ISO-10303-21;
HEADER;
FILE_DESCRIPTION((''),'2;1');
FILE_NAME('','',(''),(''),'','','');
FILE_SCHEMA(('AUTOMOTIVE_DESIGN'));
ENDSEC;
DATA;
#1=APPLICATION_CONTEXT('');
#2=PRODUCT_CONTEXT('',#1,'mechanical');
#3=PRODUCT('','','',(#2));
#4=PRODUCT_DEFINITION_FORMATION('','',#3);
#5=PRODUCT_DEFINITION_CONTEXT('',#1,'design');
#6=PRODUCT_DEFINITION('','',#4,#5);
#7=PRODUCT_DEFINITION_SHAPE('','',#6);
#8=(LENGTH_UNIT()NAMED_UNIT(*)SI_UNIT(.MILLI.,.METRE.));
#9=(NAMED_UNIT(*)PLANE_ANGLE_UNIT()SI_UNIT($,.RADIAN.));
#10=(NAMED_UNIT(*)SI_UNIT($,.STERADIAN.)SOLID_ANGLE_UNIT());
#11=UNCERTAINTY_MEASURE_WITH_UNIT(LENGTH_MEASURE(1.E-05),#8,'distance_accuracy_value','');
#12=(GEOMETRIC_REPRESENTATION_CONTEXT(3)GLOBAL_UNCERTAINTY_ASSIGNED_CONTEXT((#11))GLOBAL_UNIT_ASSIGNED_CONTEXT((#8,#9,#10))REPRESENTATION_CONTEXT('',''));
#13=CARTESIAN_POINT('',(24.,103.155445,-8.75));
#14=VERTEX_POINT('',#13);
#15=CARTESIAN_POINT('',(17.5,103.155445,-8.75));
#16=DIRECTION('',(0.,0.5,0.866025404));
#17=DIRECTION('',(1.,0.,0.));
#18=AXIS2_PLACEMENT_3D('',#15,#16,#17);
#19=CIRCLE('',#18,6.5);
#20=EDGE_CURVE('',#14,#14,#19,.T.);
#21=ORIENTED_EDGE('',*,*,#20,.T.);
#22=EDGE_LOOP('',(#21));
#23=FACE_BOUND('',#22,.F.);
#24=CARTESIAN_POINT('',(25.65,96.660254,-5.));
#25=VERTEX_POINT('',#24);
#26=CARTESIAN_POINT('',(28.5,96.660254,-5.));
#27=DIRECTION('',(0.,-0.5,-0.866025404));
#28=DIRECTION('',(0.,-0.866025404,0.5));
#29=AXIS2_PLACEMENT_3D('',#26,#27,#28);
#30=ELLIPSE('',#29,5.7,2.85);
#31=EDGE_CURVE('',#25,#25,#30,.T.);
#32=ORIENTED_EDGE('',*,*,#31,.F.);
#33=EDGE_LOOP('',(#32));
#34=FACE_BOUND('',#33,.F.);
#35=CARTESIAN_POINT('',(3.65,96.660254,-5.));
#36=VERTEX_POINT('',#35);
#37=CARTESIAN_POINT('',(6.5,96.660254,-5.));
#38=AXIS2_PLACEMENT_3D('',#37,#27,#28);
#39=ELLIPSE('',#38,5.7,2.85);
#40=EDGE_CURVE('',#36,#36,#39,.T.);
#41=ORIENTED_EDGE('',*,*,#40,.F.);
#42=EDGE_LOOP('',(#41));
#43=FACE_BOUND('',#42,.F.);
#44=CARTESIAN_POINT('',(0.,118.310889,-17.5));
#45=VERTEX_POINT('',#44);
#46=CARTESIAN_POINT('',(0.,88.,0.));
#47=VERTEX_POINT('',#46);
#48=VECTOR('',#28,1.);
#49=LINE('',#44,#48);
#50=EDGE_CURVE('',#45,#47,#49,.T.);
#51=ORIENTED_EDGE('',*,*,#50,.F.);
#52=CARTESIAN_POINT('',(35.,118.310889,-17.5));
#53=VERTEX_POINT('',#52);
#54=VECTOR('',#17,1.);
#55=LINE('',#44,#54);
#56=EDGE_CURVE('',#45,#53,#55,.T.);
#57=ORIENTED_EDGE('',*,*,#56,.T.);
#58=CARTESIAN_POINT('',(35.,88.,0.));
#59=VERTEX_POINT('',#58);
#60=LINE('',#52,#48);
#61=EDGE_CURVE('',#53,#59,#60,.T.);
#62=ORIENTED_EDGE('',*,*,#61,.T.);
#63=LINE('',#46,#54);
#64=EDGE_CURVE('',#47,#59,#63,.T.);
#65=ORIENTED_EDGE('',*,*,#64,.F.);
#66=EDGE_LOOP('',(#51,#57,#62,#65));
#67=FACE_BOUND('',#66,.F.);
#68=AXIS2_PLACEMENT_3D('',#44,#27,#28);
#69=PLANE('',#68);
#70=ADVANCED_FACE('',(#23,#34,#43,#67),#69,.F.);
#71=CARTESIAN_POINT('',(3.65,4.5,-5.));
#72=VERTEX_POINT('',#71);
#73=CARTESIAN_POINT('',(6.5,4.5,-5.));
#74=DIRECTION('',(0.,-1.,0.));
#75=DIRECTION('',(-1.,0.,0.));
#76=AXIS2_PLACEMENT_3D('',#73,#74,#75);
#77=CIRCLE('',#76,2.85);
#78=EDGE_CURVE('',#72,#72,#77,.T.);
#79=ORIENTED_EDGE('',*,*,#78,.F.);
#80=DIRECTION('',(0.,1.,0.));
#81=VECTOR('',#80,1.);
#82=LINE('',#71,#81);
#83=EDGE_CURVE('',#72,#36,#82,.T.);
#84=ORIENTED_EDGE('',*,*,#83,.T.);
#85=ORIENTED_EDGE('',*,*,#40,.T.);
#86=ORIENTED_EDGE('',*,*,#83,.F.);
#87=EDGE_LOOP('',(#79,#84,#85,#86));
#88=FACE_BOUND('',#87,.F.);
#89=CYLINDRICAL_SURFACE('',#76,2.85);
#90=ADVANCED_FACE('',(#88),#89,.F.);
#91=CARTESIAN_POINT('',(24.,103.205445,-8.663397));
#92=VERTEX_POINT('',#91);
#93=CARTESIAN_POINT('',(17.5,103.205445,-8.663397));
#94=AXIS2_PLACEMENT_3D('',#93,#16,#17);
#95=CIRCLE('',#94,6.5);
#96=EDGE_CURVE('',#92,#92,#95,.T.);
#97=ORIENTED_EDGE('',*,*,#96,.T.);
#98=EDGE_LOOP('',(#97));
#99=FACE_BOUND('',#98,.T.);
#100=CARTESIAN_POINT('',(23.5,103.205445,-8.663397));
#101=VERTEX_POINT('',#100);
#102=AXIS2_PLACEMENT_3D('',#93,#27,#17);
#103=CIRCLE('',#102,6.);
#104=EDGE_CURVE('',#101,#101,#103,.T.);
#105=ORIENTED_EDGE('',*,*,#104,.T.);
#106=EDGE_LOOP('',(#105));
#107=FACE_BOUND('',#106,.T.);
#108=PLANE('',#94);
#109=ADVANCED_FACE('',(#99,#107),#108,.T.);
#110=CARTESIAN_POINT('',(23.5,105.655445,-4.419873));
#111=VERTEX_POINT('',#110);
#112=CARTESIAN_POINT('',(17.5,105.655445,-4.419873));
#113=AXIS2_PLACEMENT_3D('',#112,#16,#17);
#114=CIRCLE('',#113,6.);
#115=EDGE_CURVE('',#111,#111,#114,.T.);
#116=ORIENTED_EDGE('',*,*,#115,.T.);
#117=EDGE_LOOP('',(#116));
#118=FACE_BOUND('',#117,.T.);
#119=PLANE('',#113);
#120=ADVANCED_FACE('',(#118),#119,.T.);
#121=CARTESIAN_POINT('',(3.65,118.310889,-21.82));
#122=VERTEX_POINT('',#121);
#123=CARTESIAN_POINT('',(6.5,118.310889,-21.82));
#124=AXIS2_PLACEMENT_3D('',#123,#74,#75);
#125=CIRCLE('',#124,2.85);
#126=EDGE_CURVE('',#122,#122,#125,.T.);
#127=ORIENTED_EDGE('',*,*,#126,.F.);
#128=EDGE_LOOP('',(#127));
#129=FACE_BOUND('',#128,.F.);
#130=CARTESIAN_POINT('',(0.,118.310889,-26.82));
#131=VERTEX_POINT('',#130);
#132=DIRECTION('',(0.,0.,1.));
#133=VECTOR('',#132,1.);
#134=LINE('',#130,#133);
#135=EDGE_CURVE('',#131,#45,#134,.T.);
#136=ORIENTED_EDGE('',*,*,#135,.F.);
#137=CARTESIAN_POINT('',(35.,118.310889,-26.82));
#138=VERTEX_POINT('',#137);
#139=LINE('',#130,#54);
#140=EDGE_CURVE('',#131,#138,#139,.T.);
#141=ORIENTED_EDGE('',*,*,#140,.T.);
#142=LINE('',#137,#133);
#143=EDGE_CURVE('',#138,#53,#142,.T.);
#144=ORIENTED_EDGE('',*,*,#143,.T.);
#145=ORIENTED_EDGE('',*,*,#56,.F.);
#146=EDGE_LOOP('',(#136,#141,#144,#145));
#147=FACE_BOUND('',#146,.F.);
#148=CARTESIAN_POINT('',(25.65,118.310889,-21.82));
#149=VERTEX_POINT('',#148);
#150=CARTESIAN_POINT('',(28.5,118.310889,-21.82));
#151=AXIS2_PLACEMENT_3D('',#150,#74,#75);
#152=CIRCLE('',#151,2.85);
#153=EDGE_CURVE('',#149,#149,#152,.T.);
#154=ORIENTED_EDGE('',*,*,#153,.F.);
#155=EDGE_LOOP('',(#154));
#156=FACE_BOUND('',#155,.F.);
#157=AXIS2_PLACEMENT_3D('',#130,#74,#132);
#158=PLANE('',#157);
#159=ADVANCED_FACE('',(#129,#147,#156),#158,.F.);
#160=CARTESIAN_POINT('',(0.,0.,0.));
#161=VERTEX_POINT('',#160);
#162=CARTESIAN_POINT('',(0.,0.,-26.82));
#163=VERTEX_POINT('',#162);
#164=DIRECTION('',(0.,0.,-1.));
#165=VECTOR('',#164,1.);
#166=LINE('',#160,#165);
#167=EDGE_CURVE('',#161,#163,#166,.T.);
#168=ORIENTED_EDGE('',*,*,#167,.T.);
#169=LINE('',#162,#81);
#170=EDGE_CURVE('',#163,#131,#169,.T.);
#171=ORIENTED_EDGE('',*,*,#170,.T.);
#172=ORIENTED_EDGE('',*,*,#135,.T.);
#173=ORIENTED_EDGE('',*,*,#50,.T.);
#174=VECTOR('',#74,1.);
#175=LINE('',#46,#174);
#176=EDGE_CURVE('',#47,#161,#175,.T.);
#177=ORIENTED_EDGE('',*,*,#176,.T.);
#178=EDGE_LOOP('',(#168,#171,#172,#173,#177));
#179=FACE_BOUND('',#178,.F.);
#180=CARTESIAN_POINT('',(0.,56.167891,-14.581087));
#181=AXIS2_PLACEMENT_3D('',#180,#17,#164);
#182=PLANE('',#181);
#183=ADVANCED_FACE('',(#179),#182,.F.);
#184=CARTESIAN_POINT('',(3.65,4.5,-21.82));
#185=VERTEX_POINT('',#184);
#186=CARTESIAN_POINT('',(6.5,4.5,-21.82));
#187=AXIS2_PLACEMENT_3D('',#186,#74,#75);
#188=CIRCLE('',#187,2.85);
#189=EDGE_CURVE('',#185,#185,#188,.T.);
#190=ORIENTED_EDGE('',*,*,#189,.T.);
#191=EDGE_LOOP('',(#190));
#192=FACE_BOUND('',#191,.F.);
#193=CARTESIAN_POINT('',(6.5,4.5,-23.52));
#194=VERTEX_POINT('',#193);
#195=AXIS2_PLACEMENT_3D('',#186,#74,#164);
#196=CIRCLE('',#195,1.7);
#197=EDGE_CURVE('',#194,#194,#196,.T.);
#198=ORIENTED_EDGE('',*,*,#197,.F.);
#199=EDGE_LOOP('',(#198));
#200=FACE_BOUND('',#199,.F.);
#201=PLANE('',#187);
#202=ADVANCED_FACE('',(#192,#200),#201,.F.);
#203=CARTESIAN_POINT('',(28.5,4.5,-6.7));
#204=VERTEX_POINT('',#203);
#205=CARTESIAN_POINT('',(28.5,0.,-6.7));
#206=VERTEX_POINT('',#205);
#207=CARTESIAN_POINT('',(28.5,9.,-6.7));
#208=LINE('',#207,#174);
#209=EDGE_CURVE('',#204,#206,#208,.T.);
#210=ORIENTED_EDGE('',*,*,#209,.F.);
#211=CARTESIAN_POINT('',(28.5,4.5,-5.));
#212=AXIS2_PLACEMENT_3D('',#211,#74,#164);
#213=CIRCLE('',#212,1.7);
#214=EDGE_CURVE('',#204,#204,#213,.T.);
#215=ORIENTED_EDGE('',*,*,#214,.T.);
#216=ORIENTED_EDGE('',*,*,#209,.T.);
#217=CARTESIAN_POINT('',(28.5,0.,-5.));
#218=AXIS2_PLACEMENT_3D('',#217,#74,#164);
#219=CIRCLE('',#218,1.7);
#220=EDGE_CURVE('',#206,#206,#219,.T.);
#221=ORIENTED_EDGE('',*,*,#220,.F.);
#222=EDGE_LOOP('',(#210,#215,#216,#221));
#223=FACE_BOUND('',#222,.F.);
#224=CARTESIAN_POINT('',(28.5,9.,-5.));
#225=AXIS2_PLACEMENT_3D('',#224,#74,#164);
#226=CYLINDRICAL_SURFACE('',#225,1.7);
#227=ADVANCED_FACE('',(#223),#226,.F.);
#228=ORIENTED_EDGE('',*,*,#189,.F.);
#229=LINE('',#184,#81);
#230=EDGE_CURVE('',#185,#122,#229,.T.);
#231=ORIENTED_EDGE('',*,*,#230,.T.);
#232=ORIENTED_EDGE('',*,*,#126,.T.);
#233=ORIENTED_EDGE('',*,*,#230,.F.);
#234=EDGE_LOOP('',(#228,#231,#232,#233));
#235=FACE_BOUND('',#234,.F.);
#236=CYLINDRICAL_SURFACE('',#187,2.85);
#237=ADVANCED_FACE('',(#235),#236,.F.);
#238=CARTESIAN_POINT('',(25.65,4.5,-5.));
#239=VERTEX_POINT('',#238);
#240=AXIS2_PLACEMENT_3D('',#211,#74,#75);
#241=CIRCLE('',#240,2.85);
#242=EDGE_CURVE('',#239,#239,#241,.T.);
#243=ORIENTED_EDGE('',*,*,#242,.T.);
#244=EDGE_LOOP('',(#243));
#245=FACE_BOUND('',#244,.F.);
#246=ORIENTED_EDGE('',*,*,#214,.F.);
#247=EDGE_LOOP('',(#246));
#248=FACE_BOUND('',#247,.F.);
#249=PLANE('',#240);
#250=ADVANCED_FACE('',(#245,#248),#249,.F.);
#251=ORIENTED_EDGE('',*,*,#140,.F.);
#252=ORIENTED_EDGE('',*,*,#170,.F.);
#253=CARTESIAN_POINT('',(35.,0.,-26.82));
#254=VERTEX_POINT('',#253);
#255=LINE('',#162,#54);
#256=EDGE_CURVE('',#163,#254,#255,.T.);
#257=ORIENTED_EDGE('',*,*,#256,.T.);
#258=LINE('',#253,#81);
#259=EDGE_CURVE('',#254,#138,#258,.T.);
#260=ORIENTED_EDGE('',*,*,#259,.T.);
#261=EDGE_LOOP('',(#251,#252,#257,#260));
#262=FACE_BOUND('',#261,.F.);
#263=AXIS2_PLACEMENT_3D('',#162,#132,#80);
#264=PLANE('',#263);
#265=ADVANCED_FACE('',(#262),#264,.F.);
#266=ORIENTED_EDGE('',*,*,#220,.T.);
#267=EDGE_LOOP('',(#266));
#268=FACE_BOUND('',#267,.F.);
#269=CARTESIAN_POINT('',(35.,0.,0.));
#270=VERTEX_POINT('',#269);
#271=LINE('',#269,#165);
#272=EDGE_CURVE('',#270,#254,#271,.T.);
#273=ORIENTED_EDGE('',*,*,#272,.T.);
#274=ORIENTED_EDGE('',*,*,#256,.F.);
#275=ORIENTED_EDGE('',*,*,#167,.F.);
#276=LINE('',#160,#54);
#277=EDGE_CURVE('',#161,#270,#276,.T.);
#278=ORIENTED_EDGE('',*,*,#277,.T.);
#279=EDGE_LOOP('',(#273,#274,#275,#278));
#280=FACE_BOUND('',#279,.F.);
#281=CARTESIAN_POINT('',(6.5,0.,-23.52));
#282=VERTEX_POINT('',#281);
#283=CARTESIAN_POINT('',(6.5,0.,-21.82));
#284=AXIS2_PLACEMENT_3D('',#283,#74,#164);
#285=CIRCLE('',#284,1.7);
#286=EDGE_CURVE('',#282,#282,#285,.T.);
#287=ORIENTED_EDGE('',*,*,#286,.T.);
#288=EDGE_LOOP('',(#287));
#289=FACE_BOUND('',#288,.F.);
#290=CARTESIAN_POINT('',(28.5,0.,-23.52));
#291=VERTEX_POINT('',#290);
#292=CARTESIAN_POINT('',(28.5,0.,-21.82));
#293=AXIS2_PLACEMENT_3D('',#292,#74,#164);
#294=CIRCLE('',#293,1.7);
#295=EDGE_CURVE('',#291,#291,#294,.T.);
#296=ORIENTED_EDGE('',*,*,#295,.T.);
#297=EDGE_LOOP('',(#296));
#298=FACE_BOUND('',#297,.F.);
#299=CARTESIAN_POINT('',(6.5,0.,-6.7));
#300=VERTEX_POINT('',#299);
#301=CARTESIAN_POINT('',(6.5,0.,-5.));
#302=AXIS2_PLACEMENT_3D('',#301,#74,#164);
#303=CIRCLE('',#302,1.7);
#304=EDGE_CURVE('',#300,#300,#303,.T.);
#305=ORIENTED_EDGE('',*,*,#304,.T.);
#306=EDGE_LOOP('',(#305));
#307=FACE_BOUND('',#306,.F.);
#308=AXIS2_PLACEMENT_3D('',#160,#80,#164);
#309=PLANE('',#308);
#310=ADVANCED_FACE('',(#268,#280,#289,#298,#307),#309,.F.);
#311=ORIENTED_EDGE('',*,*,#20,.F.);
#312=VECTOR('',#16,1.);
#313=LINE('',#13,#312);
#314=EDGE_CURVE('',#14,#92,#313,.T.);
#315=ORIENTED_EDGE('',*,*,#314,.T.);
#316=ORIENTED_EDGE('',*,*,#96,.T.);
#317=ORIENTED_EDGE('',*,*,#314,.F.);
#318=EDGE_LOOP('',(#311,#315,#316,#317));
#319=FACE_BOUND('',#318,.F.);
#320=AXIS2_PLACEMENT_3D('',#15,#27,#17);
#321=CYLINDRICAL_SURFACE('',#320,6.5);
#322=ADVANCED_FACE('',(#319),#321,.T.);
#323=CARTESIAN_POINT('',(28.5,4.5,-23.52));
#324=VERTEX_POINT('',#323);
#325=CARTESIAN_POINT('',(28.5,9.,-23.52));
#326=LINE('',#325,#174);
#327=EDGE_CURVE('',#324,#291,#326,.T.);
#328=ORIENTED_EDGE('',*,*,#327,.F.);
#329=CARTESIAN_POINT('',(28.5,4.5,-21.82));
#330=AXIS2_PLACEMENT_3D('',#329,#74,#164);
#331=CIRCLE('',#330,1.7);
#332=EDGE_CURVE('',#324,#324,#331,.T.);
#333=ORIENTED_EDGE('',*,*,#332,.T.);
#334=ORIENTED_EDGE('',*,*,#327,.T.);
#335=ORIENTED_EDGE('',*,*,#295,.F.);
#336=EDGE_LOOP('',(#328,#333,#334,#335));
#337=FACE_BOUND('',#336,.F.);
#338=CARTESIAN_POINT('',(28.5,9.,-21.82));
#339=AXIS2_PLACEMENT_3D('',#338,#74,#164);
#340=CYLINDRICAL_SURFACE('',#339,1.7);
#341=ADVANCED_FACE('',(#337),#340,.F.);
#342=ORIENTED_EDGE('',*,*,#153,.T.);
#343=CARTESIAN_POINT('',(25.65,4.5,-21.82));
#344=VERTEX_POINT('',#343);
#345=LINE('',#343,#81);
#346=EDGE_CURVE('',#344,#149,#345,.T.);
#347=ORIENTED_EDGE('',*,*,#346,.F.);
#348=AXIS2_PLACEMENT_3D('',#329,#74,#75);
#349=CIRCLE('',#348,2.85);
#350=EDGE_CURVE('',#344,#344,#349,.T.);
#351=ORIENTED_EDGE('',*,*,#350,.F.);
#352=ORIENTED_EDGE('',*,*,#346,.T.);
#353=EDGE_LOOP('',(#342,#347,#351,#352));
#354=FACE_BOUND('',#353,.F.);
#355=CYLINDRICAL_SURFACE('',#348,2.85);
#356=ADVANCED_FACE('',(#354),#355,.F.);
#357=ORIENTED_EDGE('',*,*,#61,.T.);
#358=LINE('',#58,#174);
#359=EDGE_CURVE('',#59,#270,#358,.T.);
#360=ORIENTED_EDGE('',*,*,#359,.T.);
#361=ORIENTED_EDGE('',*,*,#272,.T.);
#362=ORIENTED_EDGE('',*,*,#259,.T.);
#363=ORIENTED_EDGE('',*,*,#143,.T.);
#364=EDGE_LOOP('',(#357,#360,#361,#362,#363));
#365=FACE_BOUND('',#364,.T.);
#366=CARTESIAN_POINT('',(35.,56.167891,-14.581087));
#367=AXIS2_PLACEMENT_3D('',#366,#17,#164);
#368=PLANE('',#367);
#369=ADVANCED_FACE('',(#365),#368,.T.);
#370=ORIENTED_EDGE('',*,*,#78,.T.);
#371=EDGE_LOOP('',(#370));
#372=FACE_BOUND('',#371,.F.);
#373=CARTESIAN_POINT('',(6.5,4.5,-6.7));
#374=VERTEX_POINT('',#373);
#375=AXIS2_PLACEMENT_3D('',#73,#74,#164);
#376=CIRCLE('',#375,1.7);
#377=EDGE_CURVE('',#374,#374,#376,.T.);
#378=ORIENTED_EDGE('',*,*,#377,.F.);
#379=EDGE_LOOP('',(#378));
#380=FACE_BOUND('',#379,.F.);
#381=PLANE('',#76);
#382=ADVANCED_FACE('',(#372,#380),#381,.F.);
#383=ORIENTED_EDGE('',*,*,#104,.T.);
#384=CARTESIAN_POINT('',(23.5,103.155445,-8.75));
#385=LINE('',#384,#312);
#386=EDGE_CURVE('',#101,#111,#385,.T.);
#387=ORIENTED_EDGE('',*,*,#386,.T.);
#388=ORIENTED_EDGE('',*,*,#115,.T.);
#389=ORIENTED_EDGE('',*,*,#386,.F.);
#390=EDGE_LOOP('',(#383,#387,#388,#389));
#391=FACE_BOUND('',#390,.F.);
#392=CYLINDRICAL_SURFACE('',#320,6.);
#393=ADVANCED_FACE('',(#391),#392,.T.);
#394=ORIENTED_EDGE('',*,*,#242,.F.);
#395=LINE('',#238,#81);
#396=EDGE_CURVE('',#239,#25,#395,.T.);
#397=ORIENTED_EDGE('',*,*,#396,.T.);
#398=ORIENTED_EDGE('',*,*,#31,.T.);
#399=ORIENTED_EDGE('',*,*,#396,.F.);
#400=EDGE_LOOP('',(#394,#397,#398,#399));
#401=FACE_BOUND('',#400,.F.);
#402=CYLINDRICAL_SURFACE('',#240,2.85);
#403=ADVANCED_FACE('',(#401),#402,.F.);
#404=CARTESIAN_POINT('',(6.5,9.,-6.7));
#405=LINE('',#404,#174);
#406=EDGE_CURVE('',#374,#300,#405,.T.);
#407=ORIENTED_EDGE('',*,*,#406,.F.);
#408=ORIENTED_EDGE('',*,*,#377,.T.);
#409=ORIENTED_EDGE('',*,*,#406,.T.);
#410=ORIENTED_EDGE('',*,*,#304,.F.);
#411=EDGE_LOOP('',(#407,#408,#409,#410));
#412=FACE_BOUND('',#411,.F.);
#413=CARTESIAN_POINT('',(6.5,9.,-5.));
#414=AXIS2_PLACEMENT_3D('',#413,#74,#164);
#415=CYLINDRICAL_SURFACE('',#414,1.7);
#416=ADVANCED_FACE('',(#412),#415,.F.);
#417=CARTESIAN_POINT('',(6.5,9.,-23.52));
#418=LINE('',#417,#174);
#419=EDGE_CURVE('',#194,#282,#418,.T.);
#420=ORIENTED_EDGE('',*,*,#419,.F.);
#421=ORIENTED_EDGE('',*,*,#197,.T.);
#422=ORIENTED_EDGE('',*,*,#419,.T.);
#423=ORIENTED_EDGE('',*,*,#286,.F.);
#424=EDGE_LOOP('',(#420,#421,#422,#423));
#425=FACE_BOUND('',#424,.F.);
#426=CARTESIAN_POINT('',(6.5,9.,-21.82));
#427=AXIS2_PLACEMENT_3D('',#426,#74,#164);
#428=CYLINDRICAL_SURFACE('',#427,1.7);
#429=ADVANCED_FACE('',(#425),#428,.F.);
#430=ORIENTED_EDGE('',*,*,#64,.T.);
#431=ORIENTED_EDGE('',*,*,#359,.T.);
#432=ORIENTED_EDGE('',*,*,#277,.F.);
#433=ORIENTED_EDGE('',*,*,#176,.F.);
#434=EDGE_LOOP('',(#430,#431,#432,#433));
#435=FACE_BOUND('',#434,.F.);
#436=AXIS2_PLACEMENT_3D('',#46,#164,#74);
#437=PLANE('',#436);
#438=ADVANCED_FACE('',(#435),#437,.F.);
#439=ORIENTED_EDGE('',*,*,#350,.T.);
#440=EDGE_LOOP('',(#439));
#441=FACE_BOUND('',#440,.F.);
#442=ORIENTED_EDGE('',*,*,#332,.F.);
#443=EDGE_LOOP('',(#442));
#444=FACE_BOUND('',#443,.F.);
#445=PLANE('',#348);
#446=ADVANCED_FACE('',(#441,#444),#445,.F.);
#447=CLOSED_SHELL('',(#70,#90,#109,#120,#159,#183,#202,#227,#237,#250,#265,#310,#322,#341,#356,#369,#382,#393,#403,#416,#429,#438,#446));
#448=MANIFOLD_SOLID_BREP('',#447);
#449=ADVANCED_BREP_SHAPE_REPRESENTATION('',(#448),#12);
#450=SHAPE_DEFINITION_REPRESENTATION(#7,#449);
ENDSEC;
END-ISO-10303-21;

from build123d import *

# Parameters (mm, degrees)
AUFSATZ_LINEAR_AUSTRAGEN1_DEPTH      = 35
SKIZZE3_R                            = 6
AUFSATZ_LINEAR_AUSTRAGEN2_DEPTH      = 5
SKIZZE4_R                            = 6.5
AUFSATZ_LINEAR_AUSTRAGEN3_DEPTH      = 0.1
SKIZZE7_R                            = 2.85
SCHNITT_LINEAR_AUSTRAGEN1_DEPTH      = 114.810889132
F_3_4_3_4_DURCHMESSER_BOHRUNG1_D     = 3.4
F_3_4_3_4_DURCHMESSER_BOHRUNG1_DEPTH = 4.5


with BuildPart() as part:
    # Skizze1 → Aufsatz-Linear austragen1 (new body)
    with BuildSketch(Plane(origin=(0, 0, 0), x_dir=(0, 0, -1), z_dir=(1, 0, 0))):
        Polygon((0, 0), (17.5, 0), (26.82, 0), (26.82, 118.310889132), (17.5, 118.310889132), (0, 88), align=None)
    extrude(amount=AUFSATZ_LINEAR_AUSTRAGEN1_DEPTH)

    # Skizze3 → Aufsatz-Linear austragen2 (add)
    with BuildSketch(Plane(origin=(0, 22, 38.105117767), x_dir=(1, 0, 0), z_dir=(0, 0.5, 0.866025404))):
        with Locations((17.5, 93.710235533)):
            Circle(SKIZZE3_R)
    extrude(amount=AUFSATZ_LINEAR_AUSTRAGEN2_DEPTH)

    # Skizze4 → Aufsatz-Linear austragen3 (add)
    with BuildSketch(Plane(origin=(0, 22, 38.105117767), x_dir=(1, 0, 0), z_dir=(0, 0.5, 0.866025404))):
        with Locations((17.5, 93.710235533)):
            Circle(SKIZZE4_R)
    extrude(amount=AUFSATZ_LINEAR_AUSTRAGEN3_DEPTH)

    # Skizze7 → Schnitt-Linear austragen1 (cut, through all)
    with BuildSketch(Plane(origin=(0, 4.5, 0), x_dir=(-1, 0, 0), z_dir=(0, -1, 0))):
        with Locations((-28.5, 5)):
            Circle(SKIZZE7_R)
        with Locations((-6.5, 5)):
            Circle(SKIZZE7_R)
        with Locations((-6.5, 21.82)):
            Circle(SKIZZE7_R)
        with Locations((-28.5, 21.82)):
            Circle(SKIZZE7_R)
    extrude(amount=-SCHNITT_LINEAR_AUSTRAGEN1_DEPTH, mode=Mode.SUBTRACT)

    # Ø3.4 (3.4) Durchmesser Bohrung1
    with Locations(Plane(origin=(6.5, 4.5, -5), x_dir=(0, 0, 1), z_dir=(0, 1, 0))):
        with Locations((0, 0), (-16.82, 0), (-16.82, 22), (0, 22)):
            Hole(F_3_4_3_4_DURCHMESSER_BOHRUNG1_D / 2, depth=F_3_4_3_4_DURCHMESSER_BOHRUNG1_DEPTH)


solid = part.part
